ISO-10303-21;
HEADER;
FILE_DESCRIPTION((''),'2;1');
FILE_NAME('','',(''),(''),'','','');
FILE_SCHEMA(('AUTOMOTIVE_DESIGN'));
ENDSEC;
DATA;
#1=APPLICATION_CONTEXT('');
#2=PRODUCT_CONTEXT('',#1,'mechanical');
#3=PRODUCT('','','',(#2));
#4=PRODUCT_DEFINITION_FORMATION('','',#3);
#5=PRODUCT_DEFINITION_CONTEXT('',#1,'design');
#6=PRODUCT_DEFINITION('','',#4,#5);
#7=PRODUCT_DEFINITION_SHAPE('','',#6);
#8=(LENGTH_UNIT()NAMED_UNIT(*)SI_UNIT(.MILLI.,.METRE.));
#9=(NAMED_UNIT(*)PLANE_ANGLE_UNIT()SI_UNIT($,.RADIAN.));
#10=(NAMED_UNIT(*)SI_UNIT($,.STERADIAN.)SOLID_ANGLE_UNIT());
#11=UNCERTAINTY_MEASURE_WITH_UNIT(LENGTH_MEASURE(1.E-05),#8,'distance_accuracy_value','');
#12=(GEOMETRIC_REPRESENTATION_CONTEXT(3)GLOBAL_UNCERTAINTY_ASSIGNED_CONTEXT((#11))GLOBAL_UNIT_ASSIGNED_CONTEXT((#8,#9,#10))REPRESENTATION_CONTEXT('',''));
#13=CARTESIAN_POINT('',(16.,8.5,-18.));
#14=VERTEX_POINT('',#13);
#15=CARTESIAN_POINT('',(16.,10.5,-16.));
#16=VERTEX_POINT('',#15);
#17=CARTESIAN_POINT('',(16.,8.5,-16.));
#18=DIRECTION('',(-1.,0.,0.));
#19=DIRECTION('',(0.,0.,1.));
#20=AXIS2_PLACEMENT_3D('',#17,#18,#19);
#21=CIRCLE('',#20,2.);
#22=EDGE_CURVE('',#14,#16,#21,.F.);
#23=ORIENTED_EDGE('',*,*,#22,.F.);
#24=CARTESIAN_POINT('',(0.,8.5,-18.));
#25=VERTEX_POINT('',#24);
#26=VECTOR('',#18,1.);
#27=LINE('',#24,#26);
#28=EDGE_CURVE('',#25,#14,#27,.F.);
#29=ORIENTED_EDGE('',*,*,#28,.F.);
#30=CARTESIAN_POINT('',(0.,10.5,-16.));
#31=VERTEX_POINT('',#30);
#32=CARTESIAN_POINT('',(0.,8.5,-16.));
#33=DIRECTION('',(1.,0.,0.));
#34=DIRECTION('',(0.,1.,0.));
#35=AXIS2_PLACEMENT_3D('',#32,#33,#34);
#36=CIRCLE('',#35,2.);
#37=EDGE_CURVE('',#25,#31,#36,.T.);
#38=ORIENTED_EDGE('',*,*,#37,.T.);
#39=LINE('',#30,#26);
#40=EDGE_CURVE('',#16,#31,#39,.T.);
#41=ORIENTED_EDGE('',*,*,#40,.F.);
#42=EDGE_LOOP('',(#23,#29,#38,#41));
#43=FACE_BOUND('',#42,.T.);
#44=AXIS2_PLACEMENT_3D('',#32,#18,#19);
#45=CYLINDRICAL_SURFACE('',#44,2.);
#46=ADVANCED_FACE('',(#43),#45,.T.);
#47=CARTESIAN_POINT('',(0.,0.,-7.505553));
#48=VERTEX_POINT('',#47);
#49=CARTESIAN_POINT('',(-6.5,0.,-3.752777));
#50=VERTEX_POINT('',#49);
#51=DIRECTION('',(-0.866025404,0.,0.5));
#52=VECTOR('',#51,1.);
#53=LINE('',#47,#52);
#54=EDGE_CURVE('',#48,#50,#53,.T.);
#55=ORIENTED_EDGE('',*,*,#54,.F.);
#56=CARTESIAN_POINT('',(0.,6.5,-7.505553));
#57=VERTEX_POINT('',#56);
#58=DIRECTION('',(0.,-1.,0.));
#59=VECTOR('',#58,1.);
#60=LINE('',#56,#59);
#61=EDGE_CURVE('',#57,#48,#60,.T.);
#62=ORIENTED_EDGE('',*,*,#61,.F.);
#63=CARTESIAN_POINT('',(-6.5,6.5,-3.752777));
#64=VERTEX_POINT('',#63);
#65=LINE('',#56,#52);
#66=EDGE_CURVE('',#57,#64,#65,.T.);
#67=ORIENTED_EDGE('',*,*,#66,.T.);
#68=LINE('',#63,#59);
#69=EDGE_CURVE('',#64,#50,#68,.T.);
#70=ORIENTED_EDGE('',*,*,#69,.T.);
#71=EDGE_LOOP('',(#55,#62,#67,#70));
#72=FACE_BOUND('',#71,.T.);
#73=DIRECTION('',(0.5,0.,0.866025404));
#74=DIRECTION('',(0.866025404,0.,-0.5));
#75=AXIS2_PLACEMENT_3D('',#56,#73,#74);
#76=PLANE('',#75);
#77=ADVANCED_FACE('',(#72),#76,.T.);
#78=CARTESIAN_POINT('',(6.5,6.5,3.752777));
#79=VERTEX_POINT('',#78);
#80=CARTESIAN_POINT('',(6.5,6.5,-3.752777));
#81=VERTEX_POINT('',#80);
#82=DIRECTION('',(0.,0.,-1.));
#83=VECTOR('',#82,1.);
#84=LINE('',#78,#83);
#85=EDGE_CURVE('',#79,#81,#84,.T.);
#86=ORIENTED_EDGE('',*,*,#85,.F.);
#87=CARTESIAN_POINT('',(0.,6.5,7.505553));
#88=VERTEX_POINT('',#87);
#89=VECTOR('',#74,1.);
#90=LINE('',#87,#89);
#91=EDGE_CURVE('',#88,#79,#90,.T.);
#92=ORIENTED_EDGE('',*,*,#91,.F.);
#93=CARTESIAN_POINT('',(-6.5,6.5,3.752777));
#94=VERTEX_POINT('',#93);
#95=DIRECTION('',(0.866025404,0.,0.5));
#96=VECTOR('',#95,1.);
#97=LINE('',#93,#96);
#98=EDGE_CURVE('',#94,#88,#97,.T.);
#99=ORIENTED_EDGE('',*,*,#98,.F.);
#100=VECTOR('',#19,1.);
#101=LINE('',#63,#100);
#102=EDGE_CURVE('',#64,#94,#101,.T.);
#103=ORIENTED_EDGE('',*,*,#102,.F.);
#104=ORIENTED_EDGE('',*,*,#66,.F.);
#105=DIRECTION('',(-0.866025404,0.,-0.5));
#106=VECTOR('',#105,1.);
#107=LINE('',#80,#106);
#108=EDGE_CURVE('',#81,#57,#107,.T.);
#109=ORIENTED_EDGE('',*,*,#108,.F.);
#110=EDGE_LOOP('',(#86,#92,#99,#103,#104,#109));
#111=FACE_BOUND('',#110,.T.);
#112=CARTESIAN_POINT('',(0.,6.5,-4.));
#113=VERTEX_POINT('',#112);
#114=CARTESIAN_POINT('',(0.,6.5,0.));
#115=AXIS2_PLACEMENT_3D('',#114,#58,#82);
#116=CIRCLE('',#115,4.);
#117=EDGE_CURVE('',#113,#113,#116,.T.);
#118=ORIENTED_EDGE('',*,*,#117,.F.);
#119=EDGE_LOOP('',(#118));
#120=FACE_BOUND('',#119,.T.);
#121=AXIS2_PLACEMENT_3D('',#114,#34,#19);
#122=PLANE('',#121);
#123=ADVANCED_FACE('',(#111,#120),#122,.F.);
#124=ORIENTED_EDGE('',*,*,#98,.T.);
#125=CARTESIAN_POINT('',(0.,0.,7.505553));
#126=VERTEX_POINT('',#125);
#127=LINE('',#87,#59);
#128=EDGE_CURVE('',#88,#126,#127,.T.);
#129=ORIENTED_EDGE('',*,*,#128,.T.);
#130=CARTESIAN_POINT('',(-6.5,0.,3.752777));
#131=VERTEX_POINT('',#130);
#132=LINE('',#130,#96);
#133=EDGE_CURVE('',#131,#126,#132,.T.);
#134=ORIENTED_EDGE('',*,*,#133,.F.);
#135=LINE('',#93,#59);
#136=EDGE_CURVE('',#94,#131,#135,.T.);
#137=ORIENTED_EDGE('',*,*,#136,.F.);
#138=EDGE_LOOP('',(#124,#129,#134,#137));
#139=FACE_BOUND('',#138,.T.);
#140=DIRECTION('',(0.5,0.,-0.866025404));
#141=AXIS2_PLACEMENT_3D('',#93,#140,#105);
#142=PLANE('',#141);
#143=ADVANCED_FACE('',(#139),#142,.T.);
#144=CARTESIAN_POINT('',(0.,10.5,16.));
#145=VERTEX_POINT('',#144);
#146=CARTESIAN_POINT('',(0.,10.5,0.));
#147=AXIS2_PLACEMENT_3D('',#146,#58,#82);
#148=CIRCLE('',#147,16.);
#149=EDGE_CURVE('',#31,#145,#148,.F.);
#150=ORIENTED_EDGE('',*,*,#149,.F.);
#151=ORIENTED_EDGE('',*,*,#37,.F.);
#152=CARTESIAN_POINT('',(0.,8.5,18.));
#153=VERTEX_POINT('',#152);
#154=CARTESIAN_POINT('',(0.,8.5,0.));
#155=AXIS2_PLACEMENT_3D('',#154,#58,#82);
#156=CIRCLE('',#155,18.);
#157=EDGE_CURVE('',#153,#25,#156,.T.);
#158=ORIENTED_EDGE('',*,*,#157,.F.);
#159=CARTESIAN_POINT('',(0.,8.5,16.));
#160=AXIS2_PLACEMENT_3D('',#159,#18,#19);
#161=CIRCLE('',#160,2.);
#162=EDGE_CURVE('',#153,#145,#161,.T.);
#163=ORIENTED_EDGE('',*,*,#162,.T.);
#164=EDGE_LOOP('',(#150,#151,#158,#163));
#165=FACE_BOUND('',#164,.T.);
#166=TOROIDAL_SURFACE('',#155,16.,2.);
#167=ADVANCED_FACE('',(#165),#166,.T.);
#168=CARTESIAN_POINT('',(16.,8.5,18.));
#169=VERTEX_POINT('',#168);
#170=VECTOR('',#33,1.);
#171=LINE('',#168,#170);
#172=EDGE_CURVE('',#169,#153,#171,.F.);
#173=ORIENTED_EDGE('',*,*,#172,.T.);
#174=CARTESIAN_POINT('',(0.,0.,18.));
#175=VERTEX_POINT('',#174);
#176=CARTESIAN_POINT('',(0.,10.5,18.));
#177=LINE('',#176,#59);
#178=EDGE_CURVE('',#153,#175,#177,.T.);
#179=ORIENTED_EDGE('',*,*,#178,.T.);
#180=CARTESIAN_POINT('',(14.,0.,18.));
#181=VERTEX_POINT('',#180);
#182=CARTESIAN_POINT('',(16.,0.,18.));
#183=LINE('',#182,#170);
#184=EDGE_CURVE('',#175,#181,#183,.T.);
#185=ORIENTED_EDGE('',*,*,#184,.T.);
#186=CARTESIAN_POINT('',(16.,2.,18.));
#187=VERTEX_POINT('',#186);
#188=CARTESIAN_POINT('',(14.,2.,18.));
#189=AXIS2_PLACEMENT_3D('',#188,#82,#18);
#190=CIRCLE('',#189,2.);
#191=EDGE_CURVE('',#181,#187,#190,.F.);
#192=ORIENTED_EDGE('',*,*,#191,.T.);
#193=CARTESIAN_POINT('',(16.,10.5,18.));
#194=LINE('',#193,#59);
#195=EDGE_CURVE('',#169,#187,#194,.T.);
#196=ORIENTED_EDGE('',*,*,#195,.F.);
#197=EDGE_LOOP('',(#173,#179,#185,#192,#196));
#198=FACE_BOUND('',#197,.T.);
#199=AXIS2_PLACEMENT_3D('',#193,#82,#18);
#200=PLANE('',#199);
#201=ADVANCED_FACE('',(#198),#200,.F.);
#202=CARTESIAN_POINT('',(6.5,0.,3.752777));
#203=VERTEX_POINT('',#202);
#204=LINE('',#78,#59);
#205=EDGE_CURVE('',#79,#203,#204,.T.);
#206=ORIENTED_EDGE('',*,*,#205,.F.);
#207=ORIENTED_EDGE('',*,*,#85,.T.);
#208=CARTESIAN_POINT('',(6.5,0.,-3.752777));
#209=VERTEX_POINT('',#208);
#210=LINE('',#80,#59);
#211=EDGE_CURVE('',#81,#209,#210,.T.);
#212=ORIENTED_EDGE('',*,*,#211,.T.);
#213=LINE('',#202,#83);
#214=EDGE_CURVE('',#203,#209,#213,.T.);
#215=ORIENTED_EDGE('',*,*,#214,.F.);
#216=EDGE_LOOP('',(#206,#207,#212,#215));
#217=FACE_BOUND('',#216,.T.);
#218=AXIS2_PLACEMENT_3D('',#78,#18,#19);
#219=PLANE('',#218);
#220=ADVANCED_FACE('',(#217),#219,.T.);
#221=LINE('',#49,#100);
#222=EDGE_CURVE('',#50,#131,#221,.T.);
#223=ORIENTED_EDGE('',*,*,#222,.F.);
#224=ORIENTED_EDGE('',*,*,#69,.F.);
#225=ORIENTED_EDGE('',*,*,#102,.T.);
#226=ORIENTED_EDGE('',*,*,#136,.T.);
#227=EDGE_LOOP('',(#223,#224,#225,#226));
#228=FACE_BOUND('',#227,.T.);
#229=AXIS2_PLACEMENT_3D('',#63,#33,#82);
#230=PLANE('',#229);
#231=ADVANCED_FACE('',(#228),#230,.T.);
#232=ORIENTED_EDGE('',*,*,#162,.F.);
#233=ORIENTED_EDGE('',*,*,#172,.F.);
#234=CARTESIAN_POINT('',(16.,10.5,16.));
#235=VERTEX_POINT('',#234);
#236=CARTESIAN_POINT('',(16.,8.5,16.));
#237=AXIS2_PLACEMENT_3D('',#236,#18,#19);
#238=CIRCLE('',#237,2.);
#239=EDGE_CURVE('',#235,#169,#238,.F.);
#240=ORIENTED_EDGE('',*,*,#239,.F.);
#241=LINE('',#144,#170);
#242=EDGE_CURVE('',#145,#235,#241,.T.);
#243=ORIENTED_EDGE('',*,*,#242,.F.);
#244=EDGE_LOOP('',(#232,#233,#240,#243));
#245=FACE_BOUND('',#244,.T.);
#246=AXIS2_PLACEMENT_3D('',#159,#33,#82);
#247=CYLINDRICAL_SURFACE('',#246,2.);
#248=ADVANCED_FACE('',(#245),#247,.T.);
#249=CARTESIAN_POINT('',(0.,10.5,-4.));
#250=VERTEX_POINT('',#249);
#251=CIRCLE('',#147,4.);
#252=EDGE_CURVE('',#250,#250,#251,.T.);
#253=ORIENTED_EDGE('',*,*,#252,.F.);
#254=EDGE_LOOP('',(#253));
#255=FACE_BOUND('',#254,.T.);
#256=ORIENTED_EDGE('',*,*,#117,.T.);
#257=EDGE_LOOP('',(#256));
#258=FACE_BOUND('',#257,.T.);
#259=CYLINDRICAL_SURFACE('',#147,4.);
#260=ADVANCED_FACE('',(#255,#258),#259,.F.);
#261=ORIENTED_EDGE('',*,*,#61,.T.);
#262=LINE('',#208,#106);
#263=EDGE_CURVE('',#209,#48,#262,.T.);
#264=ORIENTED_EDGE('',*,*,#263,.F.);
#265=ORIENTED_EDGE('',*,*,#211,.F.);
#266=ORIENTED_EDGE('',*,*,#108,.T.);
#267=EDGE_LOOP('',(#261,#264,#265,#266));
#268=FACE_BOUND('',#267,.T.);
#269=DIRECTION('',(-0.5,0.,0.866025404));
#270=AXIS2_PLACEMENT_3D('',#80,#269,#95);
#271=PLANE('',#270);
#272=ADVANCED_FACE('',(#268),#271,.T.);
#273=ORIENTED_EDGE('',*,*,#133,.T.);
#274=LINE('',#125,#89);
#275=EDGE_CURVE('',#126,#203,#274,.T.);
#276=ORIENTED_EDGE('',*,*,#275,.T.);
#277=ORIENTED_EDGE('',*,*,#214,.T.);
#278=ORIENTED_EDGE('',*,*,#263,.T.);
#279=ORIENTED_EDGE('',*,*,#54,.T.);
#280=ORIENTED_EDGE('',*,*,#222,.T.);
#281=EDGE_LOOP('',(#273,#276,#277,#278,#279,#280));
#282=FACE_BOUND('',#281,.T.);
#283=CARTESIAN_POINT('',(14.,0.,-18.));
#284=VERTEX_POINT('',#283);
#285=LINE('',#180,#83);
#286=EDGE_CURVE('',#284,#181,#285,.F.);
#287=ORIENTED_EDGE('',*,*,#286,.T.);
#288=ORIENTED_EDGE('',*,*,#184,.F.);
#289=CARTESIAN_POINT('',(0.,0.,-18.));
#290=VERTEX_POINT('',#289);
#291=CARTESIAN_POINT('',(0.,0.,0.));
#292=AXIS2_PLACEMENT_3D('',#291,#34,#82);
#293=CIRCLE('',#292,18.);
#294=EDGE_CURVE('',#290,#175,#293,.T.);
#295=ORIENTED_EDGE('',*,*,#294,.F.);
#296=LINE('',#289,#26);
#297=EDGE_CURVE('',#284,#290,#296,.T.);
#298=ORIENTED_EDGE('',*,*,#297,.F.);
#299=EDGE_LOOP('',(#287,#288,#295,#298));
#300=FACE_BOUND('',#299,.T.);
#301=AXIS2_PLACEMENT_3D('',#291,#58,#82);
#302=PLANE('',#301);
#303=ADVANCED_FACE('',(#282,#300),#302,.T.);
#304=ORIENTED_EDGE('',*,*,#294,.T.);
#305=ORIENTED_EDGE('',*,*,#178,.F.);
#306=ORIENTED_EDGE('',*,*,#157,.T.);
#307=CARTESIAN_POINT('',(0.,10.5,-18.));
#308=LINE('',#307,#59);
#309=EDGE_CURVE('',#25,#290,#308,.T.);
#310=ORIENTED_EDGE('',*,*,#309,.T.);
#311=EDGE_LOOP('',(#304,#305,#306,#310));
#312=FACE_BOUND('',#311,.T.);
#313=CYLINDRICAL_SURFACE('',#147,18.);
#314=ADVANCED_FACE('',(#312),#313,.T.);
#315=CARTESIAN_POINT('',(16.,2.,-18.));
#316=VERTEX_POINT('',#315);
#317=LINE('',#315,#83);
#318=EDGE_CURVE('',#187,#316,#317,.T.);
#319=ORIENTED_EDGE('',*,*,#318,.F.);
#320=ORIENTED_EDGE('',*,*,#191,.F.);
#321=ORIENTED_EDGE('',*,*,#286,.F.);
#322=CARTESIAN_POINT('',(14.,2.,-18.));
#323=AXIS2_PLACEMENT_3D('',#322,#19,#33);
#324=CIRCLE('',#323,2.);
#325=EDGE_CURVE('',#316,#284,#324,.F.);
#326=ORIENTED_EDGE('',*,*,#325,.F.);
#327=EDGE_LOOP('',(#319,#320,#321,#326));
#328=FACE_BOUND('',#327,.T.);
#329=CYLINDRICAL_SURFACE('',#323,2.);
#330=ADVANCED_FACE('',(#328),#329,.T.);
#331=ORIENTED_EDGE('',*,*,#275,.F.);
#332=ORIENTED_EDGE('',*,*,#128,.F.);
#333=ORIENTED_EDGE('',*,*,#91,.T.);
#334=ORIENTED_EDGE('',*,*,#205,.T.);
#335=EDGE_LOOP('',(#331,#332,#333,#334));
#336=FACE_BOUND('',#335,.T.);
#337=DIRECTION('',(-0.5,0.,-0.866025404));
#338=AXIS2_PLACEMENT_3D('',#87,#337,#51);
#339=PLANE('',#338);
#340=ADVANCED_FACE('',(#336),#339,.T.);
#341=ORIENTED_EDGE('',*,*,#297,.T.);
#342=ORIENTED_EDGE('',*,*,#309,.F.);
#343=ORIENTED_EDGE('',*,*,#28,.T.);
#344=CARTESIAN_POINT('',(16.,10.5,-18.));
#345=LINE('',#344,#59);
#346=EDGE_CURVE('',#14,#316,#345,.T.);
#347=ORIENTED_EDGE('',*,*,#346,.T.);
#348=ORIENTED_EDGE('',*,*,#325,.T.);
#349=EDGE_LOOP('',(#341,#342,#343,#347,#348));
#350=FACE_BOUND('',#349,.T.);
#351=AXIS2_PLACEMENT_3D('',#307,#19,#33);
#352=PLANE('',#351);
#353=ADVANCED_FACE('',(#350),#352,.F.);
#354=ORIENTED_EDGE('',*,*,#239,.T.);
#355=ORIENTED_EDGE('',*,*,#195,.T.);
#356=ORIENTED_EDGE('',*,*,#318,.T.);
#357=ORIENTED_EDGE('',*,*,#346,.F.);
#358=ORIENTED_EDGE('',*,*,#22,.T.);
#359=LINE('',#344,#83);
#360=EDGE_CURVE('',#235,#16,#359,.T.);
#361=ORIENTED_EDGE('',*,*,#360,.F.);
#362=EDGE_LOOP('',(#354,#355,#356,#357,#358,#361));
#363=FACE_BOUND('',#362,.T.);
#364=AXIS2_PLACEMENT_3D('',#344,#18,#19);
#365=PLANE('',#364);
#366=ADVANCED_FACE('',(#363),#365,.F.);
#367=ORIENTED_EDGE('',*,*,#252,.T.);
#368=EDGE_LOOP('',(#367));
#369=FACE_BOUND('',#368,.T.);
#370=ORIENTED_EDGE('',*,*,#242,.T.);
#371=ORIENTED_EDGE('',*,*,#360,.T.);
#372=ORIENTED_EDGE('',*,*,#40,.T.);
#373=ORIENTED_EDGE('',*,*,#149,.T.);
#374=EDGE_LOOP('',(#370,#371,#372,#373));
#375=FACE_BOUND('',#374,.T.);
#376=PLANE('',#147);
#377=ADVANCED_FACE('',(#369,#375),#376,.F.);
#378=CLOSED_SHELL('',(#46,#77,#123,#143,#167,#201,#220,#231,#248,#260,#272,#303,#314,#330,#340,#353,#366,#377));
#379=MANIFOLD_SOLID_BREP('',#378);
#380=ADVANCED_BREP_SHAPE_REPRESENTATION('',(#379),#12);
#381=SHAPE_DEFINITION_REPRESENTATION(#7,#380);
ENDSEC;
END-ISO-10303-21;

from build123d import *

# Parameters (mm, degrees)
BOSS_EXTRU_1_DEPTH      = 10.5
ENL_V_MAT_EXTRU_1_DEPTH = 6.5
ESQUISSE3_R             = 4
ENL_V_MAT_EXTRU_2_DEPTH = 27.272609311
CONG_1_R                = 2


with BuildPart() as part:
    # Esquisse1 → Boss.-Extru.1 (new body)
    with BuildSketch(Plane(origin=(0, 0, 0), x_dir=(1, 0, 0), z_dir=(0, 1, 0))):
        with BuildLine():
            Line((0, 18), (16, 18))
            Line((16, 18), (16, -18))
            Line((16, -18), (0, -18))
            ThreePointArc((0, -18), (-18, 0), (0, 18))
        make_face()
    extrude(amount=BOSS_EXTRU_1_DEPTH)

    # Esquisse2 → Enlèv. mat.-Extru.1 (cut)
    with BuildSketch(Plane(origin=(0, 0, 0), x_dir=(1, 0, 0), z_dir=(0, 1, 0))):
        Polygon((0, -7.505553499), (6.5, -3.75277675), (6.5, 3.75277675), (0, 7.505553499), (-6.5, 3.75277675), (-6.5, -3.75277675), align=None)
    extrude(amount=ENL_V_MAT_EXTRU_1_DEPTH, mode=Mode.SUBTRACT)

    # Esquisse3 → Enlèv. mat.-Extru.2 (cut, through all)
    with BuildSketch(Plane(origin=(0, 6.5, 0), x_dir=(-1, 0, 0), z_dir=(0, -1, 0))):
        with Locations(Location((0, 0, 0), (0, 0, 90))):
            Circle(ESQUISSE3_R)
    extrude(amount=-ENL_V_MAT_EXTRU_2_DEPTH, mode=Mode.SUBTRACT)

    # Congé1
    cong_1_edges = [part.edges().sort_by_distance(p)[0] for p in [
        (8, 10.5, -18),
        (-18, 10.5, 0),
        (16, 0, 0),
        (8, 10.5, 18),
    ]]
    fillet(cong_1_edges, radius=CONG_1_R)


solid = part.part
